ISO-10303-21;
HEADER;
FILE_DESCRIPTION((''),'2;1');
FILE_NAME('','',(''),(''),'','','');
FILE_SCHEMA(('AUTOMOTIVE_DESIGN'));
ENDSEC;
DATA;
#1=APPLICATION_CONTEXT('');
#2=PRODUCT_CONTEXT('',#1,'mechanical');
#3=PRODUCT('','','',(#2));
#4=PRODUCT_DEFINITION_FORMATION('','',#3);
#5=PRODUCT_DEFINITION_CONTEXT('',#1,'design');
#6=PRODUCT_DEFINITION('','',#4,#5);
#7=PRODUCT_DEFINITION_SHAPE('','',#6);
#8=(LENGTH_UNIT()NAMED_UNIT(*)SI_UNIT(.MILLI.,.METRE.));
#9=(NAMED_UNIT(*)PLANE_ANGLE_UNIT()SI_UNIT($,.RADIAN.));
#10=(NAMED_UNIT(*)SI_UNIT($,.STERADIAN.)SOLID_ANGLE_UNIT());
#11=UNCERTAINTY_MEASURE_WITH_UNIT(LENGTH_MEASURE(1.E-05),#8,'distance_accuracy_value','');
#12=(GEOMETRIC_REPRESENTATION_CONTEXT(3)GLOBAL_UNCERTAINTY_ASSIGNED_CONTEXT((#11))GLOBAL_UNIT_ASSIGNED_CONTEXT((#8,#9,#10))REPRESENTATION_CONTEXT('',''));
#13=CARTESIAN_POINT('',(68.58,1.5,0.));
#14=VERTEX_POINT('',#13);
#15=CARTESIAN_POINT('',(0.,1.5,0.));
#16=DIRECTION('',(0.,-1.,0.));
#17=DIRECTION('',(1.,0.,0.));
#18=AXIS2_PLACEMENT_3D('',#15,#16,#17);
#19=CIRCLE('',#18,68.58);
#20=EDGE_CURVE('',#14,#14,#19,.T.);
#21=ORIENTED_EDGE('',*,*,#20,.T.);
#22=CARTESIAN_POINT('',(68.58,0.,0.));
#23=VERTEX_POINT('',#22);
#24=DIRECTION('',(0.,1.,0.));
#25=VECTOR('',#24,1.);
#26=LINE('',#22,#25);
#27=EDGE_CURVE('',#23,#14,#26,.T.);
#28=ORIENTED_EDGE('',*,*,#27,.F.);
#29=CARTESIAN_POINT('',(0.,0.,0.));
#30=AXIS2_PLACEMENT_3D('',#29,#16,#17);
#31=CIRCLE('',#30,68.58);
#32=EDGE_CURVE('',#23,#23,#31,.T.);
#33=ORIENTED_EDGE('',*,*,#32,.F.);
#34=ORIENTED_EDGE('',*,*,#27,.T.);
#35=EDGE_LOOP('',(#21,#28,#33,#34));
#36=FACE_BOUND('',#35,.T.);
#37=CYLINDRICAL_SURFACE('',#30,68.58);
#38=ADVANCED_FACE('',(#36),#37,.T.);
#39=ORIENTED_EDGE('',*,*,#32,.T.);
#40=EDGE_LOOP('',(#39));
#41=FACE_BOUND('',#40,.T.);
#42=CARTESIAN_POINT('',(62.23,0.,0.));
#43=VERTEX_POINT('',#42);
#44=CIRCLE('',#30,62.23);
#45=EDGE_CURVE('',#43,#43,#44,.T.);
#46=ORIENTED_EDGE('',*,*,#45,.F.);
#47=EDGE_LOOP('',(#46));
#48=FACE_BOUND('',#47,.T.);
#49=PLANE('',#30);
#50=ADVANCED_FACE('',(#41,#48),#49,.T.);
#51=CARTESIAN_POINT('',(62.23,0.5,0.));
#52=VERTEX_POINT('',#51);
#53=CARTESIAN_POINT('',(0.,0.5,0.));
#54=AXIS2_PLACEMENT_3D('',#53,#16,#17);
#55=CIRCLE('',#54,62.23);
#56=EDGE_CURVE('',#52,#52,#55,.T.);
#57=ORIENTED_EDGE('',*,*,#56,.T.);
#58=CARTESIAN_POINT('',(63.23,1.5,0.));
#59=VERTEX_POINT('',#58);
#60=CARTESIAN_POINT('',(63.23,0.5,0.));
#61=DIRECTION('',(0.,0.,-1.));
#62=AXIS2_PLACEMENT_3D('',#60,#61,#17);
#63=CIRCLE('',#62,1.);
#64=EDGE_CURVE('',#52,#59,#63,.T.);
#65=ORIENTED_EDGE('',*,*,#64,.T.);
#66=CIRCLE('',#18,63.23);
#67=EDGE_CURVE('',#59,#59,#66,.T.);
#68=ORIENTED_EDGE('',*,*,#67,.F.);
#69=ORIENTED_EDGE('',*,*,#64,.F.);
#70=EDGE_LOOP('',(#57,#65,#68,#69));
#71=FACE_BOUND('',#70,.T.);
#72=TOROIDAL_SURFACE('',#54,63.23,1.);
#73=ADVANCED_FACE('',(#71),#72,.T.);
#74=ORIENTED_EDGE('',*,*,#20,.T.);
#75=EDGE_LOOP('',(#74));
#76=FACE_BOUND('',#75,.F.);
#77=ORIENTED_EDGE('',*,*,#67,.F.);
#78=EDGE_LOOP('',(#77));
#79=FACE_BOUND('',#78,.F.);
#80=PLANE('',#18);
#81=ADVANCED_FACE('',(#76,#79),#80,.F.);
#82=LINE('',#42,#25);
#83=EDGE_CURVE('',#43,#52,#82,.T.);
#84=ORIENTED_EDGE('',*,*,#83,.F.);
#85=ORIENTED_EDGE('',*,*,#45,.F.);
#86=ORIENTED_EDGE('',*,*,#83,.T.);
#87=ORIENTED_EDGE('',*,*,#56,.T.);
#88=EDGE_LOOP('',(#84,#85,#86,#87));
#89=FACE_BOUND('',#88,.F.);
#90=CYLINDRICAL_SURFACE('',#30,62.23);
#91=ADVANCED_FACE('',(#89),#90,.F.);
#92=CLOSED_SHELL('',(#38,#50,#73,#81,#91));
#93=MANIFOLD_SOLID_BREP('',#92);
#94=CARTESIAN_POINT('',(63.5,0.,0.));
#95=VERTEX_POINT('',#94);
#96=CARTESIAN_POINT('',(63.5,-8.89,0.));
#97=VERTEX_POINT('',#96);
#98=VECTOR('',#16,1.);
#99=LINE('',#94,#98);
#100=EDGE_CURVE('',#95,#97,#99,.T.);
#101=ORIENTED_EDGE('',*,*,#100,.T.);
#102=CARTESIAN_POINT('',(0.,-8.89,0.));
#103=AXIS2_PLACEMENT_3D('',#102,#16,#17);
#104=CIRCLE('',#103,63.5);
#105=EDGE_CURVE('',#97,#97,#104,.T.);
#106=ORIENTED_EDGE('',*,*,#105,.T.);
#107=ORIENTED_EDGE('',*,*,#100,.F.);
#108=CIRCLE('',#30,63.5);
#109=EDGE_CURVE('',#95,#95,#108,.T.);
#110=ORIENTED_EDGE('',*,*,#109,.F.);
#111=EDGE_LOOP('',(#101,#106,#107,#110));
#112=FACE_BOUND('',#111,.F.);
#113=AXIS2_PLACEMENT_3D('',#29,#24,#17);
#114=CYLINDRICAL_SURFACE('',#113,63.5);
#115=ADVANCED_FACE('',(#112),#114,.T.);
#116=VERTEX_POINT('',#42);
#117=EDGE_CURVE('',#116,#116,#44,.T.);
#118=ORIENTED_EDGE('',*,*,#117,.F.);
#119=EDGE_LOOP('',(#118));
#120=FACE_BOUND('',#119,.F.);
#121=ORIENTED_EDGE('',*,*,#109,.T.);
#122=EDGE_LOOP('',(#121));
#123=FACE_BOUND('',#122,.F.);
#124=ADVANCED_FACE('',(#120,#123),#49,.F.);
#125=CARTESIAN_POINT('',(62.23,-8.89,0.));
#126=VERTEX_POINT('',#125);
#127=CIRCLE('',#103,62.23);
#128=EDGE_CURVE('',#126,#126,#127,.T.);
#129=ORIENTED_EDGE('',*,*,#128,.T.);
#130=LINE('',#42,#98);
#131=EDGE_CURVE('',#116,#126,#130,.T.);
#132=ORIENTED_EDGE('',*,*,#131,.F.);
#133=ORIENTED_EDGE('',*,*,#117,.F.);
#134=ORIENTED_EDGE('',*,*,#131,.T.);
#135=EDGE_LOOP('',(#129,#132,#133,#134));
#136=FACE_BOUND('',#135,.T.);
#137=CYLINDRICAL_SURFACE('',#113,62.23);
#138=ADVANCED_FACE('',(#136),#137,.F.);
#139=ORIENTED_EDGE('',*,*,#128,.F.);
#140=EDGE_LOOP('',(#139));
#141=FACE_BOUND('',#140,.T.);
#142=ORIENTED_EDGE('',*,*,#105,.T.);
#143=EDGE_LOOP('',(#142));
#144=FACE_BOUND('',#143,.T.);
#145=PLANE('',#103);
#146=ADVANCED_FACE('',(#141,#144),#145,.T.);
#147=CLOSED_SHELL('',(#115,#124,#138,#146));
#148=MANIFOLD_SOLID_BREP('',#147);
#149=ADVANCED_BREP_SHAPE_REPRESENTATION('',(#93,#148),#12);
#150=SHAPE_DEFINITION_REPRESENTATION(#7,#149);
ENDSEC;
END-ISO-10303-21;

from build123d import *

# Parameters (mm, degrees)
F0_R     = 63.5
F0_R_2   = 62.23
F1_DEPTH = 8.89
F2_R     = 68.58
F2_R_2   = 62.23
F3_DEPTH = 1.5
F4_R     = 1


with BuildPart() as f1:
    # F0 (on Front) → F1 (new body)
    with BuildSketch(Plane.XZ):
        Circle(F0_R)
        Circle(F0_R_2, mode=Mode.SUBTRACT)
    extrude(amount=F1_DEPTH)


with BuildPart() as f3:
    # F2 (on Front) → F3 (new body)
    with BuildSketch(Plane.XZ):
        Circle(F2_R)
        Circle(F2_R_2, mode=Mode.SUBTRACT)
    extrude(amount=-F3_DEPTH)

    # F4
    f4_edges = [f3.edges().sort_by_distance(p)[0] for p in [
        (-62.23, 1.5, 0),
    ]]
    fillet(f4_edges, radius=F4_R)


solid = Compound([f1.part, f3.part])
